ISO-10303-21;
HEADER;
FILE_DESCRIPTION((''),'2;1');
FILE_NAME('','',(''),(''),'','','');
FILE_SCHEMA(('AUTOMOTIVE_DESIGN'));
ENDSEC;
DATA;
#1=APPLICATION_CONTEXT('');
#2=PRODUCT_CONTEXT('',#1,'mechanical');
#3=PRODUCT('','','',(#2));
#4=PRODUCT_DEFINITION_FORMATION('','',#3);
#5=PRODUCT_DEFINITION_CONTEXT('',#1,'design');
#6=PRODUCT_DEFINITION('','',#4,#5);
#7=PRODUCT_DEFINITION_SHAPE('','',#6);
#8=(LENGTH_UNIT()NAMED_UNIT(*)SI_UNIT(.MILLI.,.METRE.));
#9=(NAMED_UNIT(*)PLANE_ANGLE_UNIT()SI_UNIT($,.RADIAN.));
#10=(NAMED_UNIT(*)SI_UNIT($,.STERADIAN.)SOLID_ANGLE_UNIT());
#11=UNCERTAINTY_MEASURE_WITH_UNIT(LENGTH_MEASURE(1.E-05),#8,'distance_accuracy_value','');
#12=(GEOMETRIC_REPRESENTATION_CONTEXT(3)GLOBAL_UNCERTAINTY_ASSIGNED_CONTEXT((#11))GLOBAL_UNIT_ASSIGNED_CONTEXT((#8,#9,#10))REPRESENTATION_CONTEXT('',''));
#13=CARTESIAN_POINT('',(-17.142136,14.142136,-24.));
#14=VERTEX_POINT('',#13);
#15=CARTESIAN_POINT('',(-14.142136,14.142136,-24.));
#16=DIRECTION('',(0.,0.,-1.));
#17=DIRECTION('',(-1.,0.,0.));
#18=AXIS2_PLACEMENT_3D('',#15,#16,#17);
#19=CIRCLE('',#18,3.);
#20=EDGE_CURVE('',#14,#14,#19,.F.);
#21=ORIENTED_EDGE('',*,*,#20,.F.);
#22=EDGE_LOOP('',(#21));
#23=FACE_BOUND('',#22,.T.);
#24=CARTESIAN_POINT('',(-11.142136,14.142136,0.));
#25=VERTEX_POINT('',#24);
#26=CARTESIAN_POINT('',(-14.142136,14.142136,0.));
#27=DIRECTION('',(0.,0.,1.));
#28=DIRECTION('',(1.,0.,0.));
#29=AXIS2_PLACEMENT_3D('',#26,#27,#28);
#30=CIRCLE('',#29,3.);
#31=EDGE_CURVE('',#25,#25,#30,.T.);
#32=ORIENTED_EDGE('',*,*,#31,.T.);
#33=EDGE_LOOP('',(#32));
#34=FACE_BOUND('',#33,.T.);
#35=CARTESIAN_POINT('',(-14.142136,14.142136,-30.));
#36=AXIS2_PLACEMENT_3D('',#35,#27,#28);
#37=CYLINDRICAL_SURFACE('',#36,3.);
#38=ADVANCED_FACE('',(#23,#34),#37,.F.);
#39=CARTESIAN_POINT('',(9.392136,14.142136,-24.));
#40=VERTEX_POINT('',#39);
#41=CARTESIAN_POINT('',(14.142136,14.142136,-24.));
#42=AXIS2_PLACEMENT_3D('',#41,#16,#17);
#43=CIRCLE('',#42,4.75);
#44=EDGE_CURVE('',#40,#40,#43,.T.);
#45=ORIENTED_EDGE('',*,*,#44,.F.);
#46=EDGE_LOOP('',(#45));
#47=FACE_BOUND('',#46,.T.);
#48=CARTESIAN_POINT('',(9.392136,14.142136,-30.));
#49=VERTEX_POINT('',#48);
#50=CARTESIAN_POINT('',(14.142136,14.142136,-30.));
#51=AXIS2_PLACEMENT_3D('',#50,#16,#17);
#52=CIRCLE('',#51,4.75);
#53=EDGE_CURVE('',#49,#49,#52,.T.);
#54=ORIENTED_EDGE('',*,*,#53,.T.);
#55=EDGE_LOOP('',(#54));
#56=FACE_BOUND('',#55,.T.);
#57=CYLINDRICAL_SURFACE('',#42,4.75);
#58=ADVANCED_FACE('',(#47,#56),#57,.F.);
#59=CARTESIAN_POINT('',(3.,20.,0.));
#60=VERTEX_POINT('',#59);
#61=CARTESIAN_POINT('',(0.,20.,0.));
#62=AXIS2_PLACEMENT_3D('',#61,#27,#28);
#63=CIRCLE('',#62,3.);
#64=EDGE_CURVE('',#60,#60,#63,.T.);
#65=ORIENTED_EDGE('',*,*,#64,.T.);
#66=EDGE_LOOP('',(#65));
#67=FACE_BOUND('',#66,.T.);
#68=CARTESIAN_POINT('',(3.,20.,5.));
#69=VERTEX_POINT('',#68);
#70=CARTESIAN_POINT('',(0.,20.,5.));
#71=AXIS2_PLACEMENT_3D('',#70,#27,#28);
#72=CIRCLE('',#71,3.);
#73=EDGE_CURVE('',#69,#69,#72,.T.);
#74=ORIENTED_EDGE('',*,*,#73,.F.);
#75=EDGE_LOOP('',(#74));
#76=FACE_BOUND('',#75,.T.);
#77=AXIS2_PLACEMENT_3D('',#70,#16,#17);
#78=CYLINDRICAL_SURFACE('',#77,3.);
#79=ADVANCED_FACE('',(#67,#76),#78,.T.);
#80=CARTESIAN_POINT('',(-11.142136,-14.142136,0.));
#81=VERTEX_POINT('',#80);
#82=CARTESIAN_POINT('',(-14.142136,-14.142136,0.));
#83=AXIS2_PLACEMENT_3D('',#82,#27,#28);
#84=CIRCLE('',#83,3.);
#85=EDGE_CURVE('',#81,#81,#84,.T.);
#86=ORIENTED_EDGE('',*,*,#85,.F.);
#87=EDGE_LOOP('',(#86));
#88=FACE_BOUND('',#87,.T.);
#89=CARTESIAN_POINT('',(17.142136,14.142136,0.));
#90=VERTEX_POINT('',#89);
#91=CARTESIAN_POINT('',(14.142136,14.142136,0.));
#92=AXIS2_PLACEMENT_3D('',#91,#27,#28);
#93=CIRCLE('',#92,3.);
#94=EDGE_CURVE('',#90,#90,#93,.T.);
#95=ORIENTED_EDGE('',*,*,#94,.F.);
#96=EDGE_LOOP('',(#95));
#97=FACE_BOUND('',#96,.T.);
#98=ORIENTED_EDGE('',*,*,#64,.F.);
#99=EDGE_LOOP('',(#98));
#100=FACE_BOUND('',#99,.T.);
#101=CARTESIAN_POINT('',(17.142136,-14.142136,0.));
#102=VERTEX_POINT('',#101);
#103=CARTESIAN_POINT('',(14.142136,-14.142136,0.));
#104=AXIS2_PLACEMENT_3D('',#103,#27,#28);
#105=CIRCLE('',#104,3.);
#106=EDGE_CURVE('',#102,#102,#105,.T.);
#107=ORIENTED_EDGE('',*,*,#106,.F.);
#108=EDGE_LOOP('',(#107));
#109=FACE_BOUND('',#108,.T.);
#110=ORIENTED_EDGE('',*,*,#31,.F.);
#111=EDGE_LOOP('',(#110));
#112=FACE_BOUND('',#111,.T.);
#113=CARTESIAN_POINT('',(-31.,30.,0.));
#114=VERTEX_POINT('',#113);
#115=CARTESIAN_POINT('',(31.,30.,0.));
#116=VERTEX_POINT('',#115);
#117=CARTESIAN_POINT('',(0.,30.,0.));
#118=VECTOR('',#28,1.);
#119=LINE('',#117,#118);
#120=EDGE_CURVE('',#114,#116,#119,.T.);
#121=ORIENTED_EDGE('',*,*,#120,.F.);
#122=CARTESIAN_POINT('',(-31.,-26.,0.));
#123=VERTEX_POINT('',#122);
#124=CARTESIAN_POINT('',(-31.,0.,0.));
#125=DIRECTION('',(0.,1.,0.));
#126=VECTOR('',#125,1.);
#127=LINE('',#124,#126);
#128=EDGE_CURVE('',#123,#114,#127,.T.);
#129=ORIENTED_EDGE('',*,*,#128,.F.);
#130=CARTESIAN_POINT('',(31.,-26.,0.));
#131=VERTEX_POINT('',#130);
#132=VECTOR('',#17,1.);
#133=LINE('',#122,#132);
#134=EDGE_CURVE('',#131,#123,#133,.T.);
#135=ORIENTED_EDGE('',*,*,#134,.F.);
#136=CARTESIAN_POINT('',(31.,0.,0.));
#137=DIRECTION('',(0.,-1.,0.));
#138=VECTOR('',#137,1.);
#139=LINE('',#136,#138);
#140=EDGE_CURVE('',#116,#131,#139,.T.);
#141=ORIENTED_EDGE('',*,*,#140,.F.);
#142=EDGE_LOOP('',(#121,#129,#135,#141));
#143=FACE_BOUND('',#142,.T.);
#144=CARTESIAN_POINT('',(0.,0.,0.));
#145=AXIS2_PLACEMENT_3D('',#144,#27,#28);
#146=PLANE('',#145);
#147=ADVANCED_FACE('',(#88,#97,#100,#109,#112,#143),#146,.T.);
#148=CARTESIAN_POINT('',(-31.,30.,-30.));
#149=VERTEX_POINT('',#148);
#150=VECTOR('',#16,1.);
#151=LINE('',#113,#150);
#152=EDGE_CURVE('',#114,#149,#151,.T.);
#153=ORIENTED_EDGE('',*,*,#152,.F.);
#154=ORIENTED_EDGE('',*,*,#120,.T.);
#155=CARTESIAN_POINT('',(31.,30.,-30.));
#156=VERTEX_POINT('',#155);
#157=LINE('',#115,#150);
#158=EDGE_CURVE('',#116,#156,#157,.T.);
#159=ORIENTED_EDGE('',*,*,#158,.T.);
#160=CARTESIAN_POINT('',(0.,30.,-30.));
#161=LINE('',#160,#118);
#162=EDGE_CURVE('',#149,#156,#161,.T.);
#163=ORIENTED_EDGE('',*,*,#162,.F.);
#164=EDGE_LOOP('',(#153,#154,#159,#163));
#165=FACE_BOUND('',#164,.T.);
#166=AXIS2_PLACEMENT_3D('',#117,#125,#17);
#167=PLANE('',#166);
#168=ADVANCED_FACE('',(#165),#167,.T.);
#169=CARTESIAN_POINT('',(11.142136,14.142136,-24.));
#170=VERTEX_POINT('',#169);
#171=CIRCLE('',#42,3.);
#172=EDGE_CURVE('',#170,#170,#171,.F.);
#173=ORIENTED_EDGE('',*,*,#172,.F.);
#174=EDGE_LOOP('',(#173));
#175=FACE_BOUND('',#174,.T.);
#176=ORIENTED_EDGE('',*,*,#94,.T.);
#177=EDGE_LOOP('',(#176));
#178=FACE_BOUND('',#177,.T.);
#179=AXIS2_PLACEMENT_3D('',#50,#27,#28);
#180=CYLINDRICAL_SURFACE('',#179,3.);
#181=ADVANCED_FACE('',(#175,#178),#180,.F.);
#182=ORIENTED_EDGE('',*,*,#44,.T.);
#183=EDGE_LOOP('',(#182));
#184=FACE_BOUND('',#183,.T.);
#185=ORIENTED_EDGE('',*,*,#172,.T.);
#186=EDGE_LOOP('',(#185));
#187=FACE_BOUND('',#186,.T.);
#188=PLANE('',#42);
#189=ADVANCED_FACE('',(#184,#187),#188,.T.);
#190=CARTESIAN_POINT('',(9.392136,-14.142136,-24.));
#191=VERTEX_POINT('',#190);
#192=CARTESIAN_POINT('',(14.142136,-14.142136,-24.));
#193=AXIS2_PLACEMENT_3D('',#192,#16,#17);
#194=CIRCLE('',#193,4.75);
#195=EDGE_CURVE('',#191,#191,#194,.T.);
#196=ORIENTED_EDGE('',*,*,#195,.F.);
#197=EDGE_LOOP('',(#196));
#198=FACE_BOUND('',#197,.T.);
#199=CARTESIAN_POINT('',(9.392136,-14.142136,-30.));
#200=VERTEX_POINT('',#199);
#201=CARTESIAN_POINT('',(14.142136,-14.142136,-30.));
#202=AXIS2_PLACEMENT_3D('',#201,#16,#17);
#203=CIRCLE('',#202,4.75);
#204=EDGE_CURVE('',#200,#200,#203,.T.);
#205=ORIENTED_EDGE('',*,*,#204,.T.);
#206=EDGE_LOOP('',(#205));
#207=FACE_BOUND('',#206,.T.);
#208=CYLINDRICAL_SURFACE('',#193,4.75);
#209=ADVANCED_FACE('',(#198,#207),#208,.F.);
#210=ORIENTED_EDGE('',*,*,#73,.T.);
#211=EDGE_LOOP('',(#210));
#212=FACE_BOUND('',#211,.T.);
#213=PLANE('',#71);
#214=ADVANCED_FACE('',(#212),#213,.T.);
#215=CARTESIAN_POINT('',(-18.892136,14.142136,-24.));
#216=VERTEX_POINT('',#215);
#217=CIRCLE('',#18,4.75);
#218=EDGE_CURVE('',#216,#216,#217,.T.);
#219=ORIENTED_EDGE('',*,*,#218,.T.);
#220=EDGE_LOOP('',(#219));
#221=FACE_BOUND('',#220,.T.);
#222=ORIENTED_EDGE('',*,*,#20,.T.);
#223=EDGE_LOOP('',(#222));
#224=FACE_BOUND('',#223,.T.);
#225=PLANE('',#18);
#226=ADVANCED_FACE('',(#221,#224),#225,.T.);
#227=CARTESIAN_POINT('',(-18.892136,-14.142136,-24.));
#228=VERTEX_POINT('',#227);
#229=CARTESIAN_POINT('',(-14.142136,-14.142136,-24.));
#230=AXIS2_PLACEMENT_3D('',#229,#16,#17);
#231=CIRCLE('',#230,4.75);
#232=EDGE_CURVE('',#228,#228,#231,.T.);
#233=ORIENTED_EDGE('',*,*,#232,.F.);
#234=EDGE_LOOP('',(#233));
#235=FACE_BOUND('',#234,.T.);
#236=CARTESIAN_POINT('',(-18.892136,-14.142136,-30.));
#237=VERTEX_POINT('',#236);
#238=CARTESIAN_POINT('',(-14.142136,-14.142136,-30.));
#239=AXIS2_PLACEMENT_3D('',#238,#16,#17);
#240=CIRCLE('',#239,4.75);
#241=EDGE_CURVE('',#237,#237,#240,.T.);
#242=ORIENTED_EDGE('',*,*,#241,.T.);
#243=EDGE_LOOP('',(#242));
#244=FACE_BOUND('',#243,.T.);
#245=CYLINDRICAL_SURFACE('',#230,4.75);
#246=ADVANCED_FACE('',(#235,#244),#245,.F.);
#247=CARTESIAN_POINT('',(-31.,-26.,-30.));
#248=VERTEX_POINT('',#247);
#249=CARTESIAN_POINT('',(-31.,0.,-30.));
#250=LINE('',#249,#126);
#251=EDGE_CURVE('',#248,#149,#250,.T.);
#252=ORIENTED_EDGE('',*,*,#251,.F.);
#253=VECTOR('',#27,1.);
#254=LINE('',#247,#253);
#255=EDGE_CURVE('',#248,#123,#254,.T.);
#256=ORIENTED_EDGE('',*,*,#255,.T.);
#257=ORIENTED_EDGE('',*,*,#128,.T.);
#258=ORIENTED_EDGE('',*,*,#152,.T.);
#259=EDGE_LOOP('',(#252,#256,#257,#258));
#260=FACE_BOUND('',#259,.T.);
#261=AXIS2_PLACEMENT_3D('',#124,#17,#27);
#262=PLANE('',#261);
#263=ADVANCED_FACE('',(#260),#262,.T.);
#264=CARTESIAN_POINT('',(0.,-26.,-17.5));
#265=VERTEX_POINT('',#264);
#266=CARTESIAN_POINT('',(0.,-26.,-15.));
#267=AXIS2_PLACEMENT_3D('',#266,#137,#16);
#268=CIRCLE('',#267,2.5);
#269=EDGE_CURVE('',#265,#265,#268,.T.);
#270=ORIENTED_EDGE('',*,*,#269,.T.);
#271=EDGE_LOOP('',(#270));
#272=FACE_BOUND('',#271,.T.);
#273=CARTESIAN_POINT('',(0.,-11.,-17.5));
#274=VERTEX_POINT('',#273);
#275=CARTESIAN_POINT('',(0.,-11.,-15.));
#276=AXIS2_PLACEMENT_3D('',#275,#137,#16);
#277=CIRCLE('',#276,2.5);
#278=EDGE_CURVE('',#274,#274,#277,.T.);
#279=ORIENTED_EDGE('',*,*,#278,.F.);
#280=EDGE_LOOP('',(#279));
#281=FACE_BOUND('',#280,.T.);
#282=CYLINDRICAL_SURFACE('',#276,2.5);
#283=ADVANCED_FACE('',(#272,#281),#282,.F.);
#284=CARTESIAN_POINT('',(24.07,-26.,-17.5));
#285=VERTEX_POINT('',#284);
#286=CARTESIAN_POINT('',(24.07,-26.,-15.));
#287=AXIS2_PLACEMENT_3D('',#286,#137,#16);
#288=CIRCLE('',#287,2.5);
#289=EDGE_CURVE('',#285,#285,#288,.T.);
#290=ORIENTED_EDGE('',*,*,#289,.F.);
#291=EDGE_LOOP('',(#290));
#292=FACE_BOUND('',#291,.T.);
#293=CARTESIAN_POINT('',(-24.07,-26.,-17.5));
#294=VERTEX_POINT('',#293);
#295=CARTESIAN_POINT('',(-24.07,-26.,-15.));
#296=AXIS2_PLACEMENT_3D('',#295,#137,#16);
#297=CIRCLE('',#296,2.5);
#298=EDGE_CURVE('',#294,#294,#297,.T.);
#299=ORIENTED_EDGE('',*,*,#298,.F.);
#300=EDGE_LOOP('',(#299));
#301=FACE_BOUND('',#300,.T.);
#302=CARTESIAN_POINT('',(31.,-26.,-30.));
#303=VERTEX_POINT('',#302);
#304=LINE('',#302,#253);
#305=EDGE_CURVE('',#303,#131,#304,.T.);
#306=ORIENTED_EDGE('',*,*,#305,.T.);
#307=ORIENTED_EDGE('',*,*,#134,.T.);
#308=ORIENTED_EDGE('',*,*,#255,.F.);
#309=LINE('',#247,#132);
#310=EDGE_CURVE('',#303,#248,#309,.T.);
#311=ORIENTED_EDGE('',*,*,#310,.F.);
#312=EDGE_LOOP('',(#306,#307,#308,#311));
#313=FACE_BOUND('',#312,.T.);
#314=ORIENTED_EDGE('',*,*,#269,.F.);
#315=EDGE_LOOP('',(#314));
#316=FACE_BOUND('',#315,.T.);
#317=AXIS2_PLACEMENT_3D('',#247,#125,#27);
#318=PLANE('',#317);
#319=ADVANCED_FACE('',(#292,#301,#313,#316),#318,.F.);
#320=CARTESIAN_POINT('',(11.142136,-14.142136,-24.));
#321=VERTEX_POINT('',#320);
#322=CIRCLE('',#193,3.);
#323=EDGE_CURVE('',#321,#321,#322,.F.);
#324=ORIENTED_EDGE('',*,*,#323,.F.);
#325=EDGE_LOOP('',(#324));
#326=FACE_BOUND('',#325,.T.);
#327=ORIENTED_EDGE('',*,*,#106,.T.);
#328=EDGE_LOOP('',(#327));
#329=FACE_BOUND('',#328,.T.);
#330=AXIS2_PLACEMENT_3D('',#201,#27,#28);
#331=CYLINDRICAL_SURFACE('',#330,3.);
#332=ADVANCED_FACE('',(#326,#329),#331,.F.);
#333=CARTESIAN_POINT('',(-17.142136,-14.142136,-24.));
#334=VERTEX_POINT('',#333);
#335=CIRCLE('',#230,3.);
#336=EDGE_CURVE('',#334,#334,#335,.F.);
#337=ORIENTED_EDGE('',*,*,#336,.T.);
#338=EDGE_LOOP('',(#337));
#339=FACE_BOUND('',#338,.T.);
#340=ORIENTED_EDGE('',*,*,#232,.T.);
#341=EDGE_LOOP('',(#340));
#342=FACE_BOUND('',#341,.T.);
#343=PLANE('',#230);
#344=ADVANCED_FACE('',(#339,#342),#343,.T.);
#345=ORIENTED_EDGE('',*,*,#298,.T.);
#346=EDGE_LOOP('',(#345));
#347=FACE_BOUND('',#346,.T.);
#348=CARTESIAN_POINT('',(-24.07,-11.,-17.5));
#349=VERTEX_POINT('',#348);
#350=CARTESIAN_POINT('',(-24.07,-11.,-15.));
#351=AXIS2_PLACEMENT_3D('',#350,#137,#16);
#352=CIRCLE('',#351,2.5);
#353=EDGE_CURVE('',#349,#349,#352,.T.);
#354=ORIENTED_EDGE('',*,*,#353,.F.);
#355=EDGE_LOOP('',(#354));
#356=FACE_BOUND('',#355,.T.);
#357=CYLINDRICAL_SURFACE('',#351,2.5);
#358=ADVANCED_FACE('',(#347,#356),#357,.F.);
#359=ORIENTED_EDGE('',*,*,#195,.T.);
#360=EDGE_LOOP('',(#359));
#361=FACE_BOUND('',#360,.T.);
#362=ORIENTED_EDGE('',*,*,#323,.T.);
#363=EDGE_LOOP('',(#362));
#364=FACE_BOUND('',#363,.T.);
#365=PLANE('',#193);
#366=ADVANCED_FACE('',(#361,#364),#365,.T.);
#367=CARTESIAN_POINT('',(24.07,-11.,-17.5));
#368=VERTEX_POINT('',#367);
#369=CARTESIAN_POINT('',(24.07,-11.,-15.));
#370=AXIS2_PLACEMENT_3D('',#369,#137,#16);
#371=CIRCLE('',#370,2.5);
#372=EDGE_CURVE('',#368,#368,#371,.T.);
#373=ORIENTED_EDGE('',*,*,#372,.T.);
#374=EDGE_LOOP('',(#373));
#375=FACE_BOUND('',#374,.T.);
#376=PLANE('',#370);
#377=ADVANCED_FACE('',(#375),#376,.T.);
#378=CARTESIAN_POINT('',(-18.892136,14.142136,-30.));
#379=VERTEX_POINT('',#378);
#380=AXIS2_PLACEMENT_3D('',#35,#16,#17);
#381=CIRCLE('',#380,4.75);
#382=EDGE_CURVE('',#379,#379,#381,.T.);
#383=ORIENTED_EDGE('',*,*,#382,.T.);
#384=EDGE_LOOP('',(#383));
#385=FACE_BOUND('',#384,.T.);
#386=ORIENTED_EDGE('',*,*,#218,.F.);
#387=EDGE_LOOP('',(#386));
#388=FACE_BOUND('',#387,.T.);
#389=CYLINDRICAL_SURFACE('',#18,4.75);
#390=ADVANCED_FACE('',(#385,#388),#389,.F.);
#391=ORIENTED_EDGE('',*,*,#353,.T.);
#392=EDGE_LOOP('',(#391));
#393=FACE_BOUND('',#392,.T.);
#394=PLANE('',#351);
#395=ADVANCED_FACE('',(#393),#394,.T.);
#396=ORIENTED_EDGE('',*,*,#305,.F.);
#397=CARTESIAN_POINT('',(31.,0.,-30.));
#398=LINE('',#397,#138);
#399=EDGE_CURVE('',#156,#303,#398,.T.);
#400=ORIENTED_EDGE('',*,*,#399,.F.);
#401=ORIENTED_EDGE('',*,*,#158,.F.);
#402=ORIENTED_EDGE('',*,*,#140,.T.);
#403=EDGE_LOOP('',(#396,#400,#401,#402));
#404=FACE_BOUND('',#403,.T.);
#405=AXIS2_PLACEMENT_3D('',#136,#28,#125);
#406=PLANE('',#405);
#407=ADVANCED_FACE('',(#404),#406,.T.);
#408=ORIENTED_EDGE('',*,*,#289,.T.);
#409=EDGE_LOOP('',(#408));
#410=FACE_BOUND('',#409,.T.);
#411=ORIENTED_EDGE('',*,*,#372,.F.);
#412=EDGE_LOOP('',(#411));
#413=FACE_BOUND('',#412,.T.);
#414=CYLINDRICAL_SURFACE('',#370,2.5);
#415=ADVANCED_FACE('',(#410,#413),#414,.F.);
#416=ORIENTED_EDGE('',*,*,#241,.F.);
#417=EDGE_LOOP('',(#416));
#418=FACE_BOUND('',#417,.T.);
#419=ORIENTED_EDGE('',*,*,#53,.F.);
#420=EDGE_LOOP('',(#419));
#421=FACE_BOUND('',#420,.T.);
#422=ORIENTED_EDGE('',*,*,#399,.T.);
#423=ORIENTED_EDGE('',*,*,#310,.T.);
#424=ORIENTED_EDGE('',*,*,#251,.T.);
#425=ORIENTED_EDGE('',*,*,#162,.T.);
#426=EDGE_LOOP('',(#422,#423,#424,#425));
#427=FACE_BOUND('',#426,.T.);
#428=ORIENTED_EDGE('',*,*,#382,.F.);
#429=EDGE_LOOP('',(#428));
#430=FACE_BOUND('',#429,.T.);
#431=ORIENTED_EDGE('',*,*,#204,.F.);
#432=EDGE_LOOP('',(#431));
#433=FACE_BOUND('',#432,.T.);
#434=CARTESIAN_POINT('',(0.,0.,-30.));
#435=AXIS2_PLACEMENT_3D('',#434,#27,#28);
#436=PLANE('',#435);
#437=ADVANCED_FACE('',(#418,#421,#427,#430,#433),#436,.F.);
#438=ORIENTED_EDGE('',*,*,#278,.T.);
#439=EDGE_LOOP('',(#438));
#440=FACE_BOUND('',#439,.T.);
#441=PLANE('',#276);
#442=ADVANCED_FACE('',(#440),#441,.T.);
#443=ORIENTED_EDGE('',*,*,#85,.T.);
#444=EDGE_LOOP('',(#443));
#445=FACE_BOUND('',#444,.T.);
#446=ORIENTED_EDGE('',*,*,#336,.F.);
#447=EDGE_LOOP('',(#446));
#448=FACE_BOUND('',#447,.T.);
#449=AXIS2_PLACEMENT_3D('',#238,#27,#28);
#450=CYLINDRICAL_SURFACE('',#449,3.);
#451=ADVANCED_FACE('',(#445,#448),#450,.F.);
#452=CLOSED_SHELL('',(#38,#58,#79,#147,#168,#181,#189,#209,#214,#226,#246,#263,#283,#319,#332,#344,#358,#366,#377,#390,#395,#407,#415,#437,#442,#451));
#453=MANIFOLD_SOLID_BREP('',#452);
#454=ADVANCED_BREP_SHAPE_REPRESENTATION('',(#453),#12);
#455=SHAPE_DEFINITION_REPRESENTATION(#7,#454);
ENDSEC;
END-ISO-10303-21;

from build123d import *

# Parameters (mm, degrees)
ESBO_O1_R                = 60
ESBO_O1_R_2              = 3
RESSALTO_EXTRUS_O4_DEPTH = 30
ESBO_O6_R                = 60
ESBO_O6_R_2              = 5
RESSALTO_EXTRUS_O8_DEPTH = 30
ESBO_O9_R                = 60
CORTE_EXTRUS_O1_DEPTH    = 91
ESBO_O11_W               = 62
ESBO_O11_H               = 15
CORTE_EXTRUS_O2_DEPTH    = 60.514704065
ESBO_O12_R               = 2.5
CORTE_EXTRUS_O3_DEPTH    = 15
ESBO_O15_R               = 3
RESSALTO_EXTRUS_O9_DEPTH = 5
ESBO_O16_R               = 4.75
CORTE_EXTRUS_O4_DEPTH    = 6


with BuildPart() as part:
    # Esboço1 → Ressalto-extrusão4 (new body)
    with BuildSketch(Plane.XY):
        Circle(ESBO_O1_R)
        with Locations((-14.142135624, 14.142135624)):
            Circle(ESBO_O1_R_2, mode=Mode.SUBTRACT)
        with Locations((14.142135624, 14.142135624)):
            Circle(ESBO_O1_R_2, mode=Mode.SUBTRACT)
        with Locations((14.142135624, -14.142135624)):
            Circle(ESBO_O1_R_2, mode=Mode.SUBTRACT)
        with Locations((-14.142135624, -14.142135624)):
            Circle(ESBO_O1_R_2, mode=Mode.SUBTRACT)
        with Locations((0, 20)):
            Circle(ESBO_O1_R_2, mode=Mode.SUBTRACT)
    extrude(amount=-RESSALTO_EXTRUS_O4_DEPTH)

    # Esboço6 → Ressalto-extrusão8 (add)
    with BuildSketch(Plane.XY):
        Circle(ESBO_O6_R)
        with Locations((-14.142135624, -14.142135624)):
            Circle(ESBO_O6_R_2, mode=Mode.SUBTRACT)
        with Locations((14.142135624, -14.142135624)):
            Circle(ESBO_O6_R_2, mode=Mode.SUBTRACT)
        with Locations((-14.142135624, 14.142135624)):
            Circle(ESBO_O6_R_2, mode=Mode.SUBTRACT)
        with Locations((14.142135624, 14.142135624)):
            Circle(ESBO_O6_R_2, mode=Mode.SUBTRACT)
    extrude(amount=-RESSALTO_EXTRUS_O8_DEPTH)

    # Esboço9 → Corte-extrusão1 (cut, through all)
    with BuildSketch(Plane(origin=(0, 0, -30), x_dir=(-1, 0, 0), z_dir=(0, 0, -1))):
        Circle(ESBO_O9_R)
        Polygon((-31, 30), (0, 30), (31, 30), (31, 0), (31, -31), (31, -41), (-31, -41), (-31, -31), (-31, 0), align=None, mode=Mode.SUBTRACT)
    extrude(amount=-CORTE_EXTRUS_O1_DEPTH, mode=Mode.SUBTRACT)

    # Esboço11 → Corte-extrusão2 (cut, through all)
    with BuildSketch(Plane.XY):
        with Locations((0, -33.5)):
            Rectangle(ESBO_O11_W, ESBO_O11_H)
    extrude(amount=-CORTE_EXTRUS_O2_DEPTH, mode=Mode.SUBTRACT)

    # Esboço12 → Corte-extrusão3 (cut)
    with BuildSketch(Plane.XZ.offset(26)):
        with Locations(Location((24.07, -15, 0), (0, 0, 270))):
            Circle(ESBO_O12_R)
        with Locations(Location((0, -15, 0), (0, 0, 270))):
            Circle(ESBO_O12_R)
        with Locations(Location((-24.07, -15, 0), (0, 0, 270))):
            Circle(ESBO_O12_R)
    extrude(amount=-CORTE_EXTRUS_O3_DEPTH, mode=Mode.SUBTRACT)

    # Esboço15 → Ressalto-extrusão9 (add)
    with BuildSketch(Plane.XY):
        with Locations((0, 20)):
            Circle(ESBO_O15_R)
    extrude(amount=RESSALTO_EXTRUS_O9_DEPTH)

    # Esboço16 → Corte-extrusão4 (cut)
    with BuildSketch(Plane(origin=(0, 0, -30), x_dir=(-1, 0, 0), z_dir=(0, 0, -1))):
        with Locations((14.142135624, 14.142135624)):
            Circle(ESBO_O16_R)
        with Locations((14.142135624, -14.142135624)):
            Circle(ESBO_O16_R)
        with Locations((-14.142135624, 14.142135624)):
            Circle(ESBO_O16_R)
        with Locations((-14.142135624, -14.142135624)):
            Circle(ESBO_O16_R)
    extrude(amount=-CORTE_EXTRUS_O4_DEPTH, mode=Mode.SUBTRACT)


solid = part.part
